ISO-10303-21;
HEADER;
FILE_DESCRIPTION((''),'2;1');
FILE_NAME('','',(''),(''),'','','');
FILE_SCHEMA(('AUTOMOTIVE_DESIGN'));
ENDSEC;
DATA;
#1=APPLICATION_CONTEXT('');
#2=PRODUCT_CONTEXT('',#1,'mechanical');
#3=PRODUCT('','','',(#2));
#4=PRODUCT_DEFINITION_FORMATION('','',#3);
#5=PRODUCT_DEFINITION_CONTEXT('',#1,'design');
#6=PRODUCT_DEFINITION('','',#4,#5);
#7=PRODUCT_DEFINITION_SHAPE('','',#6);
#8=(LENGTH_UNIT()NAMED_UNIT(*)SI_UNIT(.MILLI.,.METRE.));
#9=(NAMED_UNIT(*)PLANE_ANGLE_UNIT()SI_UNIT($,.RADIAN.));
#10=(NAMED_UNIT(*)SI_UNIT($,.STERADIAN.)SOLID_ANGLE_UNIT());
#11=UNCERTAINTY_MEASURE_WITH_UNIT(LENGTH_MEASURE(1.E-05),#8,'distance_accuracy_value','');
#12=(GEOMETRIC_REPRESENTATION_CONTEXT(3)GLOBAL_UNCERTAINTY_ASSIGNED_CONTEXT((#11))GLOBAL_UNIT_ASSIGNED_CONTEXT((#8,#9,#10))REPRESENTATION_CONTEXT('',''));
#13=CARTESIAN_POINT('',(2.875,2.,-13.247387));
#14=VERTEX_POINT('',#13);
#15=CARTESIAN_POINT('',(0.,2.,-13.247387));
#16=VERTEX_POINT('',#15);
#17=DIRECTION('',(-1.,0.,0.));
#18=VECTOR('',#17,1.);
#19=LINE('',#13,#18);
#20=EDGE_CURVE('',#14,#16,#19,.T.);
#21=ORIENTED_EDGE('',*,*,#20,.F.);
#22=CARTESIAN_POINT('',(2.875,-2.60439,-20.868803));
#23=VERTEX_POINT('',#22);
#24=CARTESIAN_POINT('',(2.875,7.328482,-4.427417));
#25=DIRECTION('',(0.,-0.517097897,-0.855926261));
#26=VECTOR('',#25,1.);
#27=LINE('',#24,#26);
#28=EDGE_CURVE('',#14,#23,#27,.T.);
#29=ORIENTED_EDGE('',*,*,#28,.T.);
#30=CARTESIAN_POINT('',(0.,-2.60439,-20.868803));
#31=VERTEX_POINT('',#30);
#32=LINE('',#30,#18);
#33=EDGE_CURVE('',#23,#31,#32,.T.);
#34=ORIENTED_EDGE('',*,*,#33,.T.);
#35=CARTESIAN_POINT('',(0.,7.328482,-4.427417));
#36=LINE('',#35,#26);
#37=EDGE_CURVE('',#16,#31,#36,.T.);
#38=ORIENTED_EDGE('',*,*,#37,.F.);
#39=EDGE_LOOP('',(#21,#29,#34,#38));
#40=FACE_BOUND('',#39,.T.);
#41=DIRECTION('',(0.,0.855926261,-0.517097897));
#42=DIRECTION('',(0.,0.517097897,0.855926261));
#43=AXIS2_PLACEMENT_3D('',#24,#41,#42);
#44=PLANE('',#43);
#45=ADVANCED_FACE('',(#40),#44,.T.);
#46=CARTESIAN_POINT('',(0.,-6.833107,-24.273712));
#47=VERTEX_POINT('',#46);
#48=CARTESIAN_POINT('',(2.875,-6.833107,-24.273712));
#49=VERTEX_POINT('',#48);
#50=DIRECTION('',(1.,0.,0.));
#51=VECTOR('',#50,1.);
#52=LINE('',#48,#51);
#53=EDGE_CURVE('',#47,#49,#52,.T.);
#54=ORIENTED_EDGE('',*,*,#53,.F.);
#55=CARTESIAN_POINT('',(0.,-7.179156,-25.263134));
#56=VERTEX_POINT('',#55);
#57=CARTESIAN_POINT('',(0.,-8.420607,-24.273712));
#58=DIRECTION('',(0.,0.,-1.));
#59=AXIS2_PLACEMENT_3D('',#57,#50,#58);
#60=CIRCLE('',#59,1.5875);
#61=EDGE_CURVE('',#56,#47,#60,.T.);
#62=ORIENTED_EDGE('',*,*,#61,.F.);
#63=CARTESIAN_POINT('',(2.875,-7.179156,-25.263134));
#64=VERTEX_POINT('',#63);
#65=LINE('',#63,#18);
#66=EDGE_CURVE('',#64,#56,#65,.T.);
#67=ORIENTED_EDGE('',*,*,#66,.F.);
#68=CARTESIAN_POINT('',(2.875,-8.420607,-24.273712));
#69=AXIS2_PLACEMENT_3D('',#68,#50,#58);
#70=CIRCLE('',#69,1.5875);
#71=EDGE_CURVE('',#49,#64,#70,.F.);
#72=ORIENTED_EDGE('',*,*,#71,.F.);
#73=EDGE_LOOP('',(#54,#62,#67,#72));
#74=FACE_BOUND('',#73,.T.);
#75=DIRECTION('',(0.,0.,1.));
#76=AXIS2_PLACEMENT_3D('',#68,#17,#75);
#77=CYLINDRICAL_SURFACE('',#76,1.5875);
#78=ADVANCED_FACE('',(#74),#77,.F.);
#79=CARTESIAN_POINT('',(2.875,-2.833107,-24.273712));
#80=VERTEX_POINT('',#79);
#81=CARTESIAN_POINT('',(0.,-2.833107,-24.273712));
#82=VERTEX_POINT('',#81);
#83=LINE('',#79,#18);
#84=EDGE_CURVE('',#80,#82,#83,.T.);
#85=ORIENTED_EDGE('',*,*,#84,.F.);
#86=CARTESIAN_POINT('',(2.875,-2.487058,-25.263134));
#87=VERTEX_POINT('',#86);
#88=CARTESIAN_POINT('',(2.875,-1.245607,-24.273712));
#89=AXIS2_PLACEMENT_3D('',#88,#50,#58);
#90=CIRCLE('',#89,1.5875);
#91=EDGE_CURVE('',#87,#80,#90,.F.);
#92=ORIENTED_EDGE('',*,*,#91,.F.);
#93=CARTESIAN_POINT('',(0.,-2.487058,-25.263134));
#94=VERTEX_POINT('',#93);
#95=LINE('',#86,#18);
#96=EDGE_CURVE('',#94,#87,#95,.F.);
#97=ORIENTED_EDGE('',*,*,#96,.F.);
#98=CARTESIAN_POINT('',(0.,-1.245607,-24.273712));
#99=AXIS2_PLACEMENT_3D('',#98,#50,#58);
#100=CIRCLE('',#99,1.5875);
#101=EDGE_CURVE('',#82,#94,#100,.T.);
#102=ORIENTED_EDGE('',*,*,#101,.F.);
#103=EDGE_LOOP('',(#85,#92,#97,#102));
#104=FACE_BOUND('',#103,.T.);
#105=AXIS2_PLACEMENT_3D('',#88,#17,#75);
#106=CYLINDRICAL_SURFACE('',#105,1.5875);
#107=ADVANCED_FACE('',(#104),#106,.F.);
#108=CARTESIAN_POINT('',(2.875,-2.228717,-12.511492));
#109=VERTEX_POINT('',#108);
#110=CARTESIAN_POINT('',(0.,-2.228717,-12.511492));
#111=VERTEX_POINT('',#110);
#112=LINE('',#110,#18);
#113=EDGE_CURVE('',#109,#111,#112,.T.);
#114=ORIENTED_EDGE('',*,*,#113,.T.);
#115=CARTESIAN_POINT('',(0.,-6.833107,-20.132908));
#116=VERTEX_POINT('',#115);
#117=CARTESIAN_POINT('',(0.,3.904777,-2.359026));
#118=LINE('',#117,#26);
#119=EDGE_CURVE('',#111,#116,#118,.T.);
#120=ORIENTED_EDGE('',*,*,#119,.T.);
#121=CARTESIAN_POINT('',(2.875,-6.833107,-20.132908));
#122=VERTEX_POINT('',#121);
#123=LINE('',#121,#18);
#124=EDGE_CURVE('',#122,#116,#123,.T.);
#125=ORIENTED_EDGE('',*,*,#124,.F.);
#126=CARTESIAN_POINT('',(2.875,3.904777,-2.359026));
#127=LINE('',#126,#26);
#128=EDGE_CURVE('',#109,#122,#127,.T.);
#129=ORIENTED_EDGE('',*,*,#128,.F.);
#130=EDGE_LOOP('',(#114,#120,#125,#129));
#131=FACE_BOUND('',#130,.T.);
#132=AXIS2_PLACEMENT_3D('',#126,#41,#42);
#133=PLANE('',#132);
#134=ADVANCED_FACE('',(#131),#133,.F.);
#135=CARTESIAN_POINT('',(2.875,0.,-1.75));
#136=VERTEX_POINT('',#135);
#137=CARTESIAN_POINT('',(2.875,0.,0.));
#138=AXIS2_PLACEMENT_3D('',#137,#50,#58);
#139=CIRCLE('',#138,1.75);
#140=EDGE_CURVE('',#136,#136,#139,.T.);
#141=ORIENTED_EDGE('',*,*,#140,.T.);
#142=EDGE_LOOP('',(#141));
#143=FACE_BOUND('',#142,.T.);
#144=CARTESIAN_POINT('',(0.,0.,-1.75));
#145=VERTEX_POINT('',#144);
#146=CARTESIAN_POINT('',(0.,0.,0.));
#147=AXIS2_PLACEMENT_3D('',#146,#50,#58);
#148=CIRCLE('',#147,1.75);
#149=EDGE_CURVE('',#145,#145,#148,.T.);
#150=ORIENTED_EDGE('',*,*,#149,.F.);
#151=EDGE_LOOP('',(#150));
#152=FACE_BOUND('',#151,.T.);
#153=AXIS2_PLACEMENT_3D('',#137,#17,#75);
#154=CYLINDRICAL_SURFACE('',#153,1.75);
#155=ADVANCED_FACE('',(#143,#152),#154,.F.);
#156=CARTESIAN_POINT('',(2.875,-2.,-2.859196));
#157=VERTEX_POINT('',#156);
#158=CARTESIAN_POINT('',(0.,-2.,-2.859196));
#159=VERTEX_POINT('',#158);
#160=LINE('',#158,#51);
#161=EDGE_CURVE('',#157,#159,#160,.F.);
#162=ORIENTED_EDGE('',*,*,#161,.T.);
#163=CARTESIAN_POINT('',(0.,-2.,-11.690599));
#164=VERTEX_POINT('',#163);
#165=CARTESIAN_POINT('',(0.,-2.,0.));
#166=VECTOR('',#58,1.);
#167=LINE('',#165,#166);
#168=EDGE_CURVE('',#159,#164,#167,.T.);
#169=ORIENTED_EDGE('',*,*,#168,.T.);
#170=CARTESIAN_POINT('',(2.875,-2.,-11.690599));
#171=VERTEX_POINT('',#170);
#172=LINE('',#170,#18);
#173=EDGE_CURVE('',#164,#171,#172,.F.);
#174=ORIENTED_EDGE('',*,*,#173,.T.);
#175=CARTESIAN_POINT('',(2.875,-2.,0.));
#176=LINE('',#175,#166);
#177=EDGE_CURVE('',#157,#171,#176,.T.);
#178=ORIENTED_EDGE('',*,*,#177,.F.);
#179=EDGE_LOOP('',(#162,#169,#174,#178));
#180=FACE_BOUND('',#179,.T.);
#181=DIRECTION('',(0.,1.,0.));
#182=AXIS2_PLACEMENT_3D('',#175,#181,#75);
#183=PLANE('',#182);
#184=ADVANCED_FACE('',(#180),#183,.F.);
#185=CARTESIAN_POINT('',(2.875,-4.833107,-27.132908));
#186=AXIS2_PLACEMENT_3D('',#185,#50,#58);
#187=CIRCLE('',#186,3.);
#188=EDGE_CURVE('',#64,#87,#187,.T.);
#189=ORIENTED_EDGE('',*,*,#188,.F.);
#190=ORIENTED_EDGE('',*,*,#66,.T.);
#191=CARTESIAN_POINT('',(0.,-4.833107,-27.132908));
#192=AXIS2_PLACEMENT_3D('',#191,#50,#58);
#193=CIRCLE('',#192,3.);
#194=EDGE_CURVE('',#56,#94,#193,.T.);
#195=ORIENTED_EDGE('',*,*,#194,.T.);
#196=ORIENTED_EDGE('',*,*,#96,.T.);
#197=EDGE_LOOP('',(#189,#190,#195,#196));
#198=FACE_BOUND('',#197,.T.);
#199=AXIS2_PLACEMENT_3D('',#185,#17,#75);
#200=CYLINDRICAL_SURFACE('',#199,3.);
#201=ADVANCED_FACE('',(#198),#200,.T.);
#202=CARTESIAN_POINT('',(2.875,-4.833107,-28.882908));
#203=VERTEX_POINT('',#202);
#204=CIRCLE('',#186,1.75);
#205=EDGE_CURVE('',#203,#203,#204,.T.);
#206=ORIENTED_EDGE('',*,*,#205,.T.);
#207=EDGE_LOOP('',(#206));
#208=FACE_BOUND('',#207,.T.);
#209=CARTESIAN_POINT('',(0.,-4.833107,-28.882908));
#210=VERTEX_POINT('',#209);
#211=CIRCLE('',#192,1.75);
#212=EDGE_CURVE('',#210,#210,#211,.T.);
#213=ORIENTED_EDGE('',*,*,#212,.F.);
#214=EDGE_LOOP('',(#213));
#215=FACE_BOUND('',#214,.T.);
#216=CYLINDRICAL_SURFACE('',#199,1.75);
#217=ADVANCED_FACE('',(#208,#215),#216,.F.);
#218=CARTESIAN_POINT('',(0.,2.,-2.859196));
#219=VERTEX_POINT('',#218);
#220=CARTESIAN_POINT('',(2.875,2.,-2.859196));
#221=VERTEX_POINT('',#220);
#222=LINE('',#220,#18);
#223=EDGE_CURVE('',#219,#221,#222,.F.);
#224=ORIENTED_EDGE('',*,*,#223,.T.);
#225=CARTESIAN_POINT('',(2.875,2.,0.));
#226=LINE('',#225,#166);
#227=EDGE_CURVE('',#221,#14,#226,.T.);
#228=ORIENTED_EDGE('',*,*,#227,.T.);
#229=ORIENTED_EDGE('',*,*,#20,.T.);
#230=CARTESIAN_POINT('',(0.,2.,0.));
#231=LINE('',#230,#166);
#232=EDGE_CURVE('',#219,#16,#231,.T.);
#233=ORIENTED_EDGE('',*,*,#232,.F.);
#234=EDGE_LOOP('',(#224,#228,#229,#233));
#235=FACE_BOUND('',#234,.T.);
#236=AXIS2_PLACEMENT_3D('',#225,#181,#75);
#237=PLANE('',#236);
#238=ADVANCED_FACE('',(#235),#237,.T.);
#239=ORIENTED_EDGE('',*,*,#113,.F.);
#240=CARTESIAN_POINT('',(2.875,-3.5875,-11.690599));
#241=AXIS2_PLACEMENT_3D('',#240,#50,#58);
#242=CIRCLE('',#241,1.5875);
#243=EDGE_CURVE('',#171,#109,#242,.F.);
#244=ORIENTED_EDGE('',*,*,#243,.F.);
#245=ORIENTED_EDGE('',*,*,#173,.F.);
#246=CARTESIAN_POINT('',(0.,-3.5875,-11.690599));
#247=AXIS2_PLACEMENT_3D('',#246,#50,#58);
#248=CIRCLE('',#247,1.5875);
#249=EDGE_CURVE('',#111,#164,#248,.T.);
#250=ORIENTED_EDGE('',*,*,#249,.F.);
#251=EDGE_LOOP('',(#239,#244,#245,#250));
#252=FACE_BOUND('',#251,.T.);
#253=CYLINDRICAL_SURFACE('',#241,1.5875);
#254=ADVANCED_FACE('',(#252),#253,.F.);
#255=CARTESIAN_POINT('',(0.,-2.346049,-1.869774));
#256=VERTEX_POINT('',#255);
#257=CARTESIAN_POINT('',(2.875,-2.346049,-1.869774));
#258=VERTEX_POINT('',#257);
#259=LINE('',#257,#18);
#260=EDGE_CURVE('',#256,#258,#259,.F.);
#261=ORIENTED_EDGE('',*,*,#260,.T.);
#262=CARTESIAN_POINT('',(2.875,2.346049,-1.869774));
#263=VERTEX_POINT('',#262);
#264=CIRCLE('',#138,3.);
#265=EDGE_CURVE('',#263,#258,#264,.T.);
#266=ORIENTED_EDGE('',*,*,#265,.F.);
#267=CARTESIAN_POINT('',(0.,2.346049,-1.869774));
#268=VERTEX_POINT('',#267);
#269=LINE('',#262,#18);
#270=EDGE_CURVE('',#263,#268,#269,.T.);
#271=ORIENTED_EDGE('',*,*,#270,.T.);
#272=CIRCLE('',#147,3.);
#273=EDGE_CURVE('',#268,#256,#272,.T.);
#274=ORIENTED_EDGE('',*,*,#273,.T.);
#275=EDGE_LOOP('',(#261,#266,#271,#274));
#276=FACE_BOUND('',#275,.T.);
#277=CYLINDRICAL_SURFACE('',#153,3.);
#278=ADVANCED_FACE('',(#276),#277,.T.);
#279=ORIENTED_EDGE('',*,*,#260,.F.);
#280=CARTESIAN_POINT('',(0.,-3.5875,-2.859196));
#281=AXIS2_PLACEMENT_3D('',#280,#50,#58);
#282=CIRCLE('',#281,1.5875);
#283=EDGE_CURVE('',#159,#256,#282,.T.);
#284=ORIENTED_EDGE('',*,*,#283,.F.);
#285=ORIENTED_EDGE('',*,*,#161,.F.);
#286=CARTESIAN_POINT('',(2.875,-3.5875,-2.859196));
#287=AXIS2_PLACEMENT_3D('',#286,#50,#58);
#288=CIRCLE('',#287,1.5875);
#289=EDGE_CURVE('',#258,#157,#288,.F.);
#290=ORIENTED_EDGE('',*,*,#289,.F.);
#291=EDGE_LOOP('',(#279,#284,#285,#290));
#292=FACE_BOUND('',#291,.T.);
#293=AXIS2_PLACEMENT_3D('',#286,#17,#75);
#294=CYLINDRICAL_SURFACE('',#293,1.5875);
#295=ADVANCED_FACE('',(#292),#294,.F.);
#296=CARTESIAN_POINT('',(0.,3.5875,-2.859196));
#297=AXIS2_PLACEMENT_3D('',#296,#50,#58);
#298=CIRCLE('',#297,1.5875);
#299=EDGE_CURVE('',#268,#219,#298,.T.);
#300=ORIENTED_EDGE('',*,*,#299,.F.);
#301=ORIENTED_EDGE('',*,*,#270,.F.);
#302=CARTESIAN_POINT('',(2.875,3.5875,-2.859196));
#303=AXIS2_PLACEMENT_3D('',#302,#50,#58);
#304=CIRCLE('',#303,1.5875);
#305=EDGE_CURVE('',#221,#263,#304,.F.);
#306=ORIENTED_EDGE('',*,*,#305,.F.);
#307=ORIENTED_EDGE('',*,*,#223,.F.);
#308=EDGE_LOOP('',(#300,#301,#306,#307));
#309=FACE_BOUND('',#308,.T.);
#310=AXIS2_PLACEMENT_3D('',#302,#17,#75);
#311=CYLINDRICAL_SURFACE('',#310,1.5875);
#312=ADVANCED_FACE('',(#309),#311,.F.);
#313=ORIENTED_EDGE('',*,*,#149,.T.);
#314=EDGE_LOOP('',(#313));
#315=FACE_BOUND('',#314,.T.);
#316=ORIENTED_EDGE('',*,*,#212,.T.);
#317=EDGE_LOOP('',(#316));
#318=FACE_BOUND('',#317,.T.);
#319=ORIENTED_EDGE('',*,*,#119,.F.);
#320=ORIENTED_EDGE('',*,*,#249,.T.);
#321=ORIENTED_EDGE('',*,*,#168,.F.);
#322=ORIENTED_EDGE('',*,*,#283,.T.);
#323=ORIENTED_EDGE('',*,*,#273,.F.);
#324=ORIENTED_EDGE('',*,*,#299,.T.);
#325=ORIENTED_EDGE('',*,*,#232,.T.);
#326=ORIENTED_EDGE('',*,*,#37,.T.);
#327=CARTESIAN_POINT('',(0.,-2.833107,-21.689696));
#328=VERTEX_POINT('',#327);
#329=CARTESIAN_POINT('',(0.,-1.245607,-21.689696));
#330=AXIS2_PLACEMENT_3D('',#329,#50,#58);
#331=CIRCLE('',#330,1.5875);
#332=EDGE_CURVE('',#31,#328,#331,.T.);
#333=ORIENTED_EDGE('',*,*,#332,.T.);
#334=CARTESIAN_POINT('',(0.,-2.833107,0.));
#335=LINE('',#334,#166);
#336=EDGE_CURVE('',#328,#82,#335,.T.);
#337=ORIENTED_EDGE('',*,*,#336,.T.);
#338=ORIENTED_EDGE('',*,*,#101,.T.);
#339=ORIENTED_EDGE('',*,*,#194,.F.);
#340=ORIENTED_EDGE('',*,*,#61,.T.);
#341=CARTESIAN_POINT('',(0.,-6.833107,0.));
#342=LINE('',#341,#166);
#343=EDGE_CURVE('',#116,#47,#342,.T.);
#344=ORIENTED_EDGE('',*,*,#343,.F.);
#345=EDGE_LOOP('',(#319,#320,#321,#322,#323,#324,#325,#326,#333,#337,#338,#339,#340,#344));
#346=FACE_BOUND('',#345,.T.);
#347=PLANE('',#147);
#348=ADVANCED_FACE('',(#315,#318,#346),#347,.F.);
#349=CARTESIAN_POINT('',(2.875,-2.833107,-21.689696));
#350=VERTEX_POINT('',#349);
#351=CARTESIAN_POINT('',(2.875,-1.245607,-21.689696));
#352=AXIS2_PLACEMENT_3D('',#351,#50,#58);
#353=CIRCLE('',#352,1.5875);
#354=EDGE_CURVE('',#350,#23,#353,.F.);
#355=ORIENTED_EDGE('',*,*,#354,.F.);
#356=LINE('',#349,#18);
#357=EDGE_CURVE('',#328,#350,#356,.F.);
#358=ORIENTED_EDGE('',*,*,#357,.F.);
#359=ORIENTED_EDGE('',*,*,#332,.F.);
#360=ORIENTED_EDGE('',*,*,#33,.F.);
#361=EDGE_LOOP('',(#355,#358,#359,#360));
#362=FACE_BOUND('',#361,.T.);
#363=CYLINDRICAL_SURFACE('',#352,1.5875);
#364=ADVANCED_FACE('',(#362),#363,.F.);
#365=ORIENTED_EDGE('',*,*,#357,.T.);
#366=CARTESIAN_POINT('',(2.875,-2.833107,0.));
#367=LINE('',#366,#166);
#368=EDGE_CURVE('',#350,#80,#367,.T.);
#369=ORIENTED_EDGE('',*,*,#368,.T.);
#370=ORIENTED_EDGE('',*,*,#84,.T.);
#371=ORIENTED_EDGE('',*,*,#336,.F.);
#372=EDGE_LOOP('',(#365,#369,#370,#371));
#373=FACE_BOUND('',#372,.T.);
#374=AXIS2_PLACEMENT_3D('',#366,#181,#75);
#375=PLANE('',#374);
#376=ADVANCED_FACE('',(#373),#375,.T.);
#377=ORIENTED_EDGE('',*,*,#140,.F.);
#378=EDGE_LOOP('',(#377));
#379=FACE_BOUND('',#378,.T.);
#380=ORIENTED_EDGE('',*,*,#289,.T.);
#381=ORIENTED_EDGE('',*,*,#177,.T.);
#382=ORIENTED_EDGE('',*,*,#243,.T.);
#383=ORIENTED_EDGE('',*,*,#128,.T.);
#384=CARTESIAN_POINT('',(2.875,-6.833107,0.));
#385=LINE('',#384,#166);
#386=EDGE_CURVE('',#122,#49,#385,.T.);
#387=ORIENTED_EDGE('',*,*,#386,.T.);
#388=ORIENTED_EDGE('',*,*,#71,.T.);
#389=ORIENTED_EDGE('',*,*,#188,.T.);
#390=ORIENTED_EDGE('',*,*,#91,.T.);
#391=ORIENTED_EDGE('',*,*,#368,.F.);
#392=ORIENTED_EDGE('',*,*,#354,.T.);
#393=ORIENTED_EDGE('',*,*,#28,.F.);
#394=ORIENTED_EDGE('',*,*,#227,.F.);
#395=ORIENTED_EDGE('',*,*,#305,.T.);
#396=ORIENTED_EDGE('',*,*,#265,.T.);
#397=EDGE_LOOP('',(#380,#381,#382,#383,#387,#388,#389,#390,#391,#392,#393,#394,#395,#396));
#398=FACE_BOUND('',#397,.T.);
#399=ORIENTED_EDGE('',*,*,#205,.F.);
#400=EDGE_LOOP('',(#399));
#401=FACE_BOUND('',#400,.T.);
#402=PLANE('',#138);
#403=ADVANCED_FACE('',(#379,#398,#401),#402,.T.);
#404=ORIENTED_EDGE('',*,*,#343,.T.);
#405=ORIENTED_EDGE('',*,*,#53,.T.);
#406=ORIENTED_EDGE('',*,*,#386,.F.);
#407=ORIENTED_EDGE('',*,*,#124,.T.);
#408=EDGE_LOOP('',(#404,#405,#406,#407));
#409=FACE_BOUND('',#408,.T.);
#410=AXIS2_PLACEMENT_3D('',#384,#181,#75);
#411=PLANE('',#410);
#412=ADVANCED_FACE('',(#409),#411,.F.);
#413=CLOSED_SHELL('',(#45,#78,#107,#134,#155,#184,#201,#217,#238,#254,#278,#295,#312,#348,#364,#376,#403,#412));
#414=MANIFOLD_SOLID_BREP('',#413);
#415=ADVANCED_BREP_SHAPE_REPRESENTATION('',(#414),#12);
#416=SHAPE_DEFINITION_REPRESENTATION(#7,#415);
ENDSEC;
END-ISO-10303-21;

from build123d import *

# Parameters (mm, degrees)
SKETCH2_R           = 1.75
BOSS_EXTRUDE1_DEPTH = 2.875
FILLET1_R           = 1.5875


with BuildPart() as part:
    # Sketch2 → Boss-Extrude1 (new body)
    with BuildSketch(Plane(origin=(0, 0, 0), x_dir=(0, 0, -1), z_dir=(1, 0, 0))):
        with BuildLine():
            Line((13.247387042, 2), (2.236067977, 2))
            ThreePointArc((2.236067977, 2), (-3, 0), (2.236067977, -2))
            Line((2.236067977, -2), (12.13290764, -2))
            Line((12.13290764, -2), (20.13290764, -6.833106971))
            Line((20.13290764, -6.833106971), (24.896839663, -6.833106971))
            ThreePointArc((24.896839663, -6.833106971), (30.13290764, -4.833106971), (24.896839663, -2.833106971))
            Line((24.896839663, -2.833106971), (21.247387042, -2.833106971))
            Line((21.247387042, -2.833106971), (13.247387042, 2))
        make_face()
        Circle(SKETCH2_R, mode=Mode.SUBTRACT)
        with Locations((27.13290764, -4.833106971)):
            Circle(SKETCH2_R, mode=Mode.SUBTRACT)
    extrude(amount=BOSS_EXTRUDE1_DEPTH)

    # Fillet1
    fillet1_edges = [part.edges().sort_by_distance(p)[0] for p in [
        (1.4375, -6.833106971, -24.896839663),
        (1.4375, -2, -12.13290764),
        (1.4375, -2, -2.236067977),
        (1.4375, 2, -2.236067977),
        (1.4375, -2.833106971, -21.247387042),
        (1.4375, -2.833106971, -24.896839663),
    ]]
    fillet(fillet1_edges, radius=FILLET1_R)


solid = part.part
